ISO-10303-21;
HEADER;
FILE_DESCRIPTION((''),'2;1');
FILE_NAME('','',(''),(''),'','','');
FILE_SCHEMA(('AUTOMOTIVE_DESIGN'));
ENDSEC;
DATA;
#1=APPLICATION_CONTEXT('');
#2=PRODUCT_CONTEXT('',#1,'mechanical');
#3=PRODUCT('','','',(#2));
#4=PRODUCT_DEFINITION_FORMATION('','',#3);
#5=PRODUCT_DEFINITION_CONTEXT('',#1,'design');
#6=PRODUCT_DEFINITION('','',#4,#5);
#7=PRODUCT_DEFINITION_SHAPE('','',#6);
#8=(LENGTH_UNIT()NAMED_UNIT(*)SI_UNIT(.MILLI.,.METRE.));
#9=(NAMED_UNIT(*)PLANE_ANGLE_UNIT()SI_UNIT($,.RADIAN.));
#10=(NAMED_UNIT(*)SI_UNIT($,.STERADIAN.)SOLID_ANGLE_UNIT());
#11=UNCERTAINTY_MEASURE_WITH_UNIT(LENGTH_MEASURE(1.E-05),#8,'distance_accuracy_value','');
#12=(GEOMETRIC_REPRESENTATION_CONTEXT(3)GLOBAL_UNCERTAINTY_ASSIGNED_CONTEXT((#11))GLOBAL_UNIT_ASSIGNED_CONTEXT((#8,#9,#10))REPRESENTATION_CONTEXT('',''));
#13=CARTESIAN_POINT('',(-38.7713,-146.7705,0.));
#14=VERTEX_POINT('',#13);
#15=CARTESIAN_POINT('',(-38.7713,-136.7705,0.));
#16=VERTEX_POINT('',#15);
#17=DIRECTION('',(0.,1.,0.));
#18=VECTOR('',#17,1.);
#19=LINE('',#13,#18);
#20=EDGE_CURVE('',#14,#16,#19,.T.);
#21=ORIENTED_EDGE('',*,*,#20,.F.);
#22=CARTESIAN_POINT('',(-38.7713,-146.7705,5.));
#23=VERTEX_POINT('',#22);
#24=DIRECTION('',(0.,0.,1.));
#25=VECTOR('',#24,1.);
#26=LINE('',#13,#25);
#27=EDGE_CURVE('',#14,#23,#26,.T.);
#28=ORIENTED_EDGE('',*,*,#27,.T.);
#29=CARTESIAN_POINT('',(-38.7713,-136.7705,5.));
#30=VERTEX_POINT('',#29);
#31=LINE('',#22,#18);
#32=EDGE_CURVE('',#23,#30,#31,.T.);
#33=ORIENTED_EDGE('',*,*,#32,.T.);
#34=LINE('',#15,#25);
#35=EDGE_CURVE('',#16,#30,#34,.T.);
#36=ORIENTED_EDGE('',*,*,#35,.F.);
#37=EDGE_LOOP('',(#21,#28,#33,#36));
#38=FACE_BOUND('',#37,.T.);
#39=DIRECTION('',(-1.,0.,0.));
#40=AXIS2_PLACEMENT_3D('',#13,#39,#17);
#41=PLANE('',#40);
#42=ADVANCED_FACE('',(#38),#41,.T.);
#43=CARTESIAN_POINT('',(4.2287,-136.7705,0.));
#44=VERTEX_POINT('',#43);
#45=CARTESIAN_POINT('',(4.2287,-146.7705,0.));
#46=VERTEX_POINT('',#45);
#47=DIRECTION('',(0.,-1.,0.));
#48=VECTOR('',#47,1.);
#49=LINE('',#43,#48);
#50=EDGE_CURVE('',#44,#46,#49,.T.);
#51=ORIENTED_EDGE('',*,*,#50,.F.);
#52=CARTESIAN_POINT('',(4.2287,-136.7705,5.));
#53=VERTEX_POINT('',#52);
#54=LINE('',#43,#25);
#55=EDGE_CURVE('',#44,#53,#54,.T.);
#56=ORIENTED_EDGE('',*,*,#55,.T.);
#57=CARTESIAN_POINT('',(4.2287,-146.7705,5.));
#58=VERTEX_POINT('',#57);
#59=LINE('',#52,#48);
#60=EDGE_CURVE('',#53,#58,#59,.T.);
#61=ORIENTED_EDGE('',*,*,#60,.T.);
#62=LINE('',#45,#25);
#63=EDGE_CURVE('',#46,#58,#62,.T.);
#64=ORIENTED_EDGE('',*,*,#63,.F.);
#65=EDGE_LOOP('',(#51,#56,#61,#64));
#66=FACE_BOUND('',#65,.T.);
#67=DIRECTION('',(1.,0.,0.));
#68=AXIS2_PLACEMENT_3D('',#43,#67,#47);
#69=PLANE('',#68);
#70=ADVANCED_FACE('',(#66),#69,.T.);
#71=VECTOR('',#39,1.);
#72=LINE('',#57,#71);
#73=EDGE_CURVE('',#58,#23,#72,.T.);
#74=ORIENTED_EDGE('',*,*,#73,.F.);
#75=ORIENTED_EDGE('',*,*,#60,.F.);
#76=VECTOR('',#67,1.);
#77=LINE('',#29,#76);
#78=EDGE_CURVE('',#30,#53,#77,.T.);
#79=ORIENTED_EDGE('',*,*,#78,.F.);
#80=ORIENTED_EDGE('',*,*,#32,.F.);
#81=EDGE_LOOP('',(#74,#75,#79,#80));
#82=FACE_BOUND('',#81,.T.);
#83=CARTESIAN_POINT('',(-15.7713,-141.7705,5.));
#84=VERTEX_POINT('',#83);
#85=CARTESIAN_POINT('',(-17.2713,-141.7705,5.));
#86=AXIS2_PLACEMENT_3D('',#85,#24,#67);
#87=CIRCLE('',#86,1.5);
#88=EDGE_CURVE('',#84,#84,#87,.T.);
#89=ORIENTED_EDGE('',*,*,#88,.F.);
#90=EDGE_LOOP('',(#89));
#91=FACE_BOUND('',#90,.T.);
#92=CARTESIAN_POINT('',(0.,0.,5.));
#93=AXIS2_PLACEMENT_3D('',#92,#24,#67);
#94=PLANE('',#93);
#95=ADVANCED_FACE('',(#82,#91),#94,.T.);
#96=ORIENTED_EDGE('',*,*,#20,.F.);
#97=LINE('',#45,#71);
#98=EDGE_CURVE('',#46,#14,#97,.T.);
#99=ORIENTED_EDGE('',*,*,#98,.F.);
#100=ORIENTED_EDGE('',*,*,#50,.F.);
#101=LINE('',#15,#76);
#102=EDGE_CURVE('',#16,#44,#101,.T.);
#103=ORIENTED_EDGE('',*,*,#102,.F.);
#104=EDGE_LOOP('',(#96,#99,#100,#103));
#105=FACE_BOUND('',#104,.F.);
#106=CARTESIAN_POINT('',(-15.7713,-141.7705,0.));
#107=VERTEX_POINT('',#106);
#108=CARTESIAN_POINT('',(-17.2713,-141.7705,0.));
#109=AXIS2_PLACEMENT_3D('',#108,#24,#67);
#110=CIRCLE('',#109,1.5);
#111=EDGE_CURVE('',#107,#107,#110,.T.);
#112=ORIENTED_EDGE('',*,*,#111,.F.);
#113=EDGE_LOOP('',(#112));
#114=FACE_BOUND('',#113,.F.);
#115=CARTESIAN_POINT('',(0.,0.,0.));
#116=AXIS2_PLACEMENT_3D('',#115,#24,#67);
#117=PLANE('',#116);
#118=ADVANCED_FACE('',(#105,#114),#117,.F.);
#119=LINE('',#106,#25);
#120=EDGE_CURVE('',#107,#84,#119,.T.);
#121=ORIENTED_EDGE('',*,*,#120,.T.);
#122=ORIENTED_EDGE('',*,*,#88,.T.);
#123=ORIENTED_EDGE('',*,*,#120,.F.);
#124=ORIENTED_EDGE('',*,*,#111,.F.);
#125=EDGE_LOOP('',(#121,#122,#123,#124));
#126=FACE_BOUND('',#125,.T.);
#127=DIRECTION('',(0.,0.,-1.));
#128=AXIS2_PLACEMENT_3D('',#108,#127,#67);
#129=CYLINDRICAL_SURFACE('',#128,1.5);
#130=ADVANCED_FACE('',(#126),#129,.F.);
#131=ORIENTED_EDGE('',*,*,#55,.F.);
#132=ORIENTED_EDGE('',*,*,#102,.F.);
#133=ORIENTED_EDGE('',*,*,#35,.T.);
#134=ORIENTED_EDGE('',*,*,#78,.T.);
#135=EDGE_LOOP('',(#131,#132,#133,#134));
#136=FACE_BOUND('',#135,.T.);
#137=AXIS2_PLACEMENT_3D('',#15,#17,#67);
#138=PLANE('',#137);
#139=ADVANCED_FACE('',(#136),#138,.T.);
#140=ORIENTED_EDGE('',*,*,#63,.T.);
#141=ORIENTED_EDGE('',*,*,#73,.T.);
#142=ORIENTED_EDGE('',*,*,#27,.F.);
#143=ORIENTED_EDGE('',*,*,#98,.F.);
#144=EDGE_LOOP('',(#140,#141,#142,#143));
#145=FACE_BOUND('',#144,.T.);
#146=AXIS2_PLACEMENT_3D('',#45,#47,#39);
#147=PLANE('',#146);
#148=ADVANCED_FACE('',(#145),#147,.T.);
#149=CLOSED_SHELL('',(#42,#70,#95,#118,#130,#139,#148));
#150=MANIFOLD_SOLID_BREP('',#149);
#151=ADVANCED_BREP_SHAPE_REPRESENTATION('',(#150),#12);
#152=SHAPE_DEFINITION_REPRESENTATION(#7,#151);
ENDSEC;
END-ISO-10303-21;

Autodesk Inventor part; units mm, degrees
ref_plane "YZ Plane" through (0, 0, 0) normal (1, 0, 0) x (0, 1, 0)
ref_plane "XZ Plane" through (0, 0, 0) normal (0, 1, 0) x (-1, 0, 0)
ref_plane "XY Plane" through (0, 0, 0) normal (0, 0, 1) x (1, 0, 0)
sketch "Sketch1" plane through (0, 0, 0) normal (0, 0, 1) x (1, 0, 0)
  line L0 (-38.7713, -146.7705) -> (-38.7713, -136.7705)
  line L1 (-38.7713, -136.7705) -> (4.2287, -136.7705)
  line L2 (4.2287, -136.7705) -> (4.2287, -146.7705)
  line L3 (4.2287, -146.7705) -> (-38.7713, -146.7705)
  circle A0 centre (-17.2713, -141.7705) radius 1.5
  line L4 (-38.7713, -146.7705) -> (-38.7713, -136.7705)
  line L5 (-38.7713, -136.7705) -> (4.2287, -136.7705)
  line L6 (4.2287, -136.7705) -> (4.2287, -146.7705)
  line L7 (4.2287, -146.7705) -> (-38.7713, -146.7705)
  circle A1 centre (-17.2713, -141.7705) radius 1.5
  point P0 (0, 0)
  dimension "d0" = 3
  dimension "d1" = 5
  dimension "d2" = 21.5
  dimension "d3" = 3
  dimension "d4" = 5
  dimension "d5" = 21.5
extrude "Extrusion1" add sketch "Sketch1" along normal blind 5
properties part number "cetakan sepatu 5"
